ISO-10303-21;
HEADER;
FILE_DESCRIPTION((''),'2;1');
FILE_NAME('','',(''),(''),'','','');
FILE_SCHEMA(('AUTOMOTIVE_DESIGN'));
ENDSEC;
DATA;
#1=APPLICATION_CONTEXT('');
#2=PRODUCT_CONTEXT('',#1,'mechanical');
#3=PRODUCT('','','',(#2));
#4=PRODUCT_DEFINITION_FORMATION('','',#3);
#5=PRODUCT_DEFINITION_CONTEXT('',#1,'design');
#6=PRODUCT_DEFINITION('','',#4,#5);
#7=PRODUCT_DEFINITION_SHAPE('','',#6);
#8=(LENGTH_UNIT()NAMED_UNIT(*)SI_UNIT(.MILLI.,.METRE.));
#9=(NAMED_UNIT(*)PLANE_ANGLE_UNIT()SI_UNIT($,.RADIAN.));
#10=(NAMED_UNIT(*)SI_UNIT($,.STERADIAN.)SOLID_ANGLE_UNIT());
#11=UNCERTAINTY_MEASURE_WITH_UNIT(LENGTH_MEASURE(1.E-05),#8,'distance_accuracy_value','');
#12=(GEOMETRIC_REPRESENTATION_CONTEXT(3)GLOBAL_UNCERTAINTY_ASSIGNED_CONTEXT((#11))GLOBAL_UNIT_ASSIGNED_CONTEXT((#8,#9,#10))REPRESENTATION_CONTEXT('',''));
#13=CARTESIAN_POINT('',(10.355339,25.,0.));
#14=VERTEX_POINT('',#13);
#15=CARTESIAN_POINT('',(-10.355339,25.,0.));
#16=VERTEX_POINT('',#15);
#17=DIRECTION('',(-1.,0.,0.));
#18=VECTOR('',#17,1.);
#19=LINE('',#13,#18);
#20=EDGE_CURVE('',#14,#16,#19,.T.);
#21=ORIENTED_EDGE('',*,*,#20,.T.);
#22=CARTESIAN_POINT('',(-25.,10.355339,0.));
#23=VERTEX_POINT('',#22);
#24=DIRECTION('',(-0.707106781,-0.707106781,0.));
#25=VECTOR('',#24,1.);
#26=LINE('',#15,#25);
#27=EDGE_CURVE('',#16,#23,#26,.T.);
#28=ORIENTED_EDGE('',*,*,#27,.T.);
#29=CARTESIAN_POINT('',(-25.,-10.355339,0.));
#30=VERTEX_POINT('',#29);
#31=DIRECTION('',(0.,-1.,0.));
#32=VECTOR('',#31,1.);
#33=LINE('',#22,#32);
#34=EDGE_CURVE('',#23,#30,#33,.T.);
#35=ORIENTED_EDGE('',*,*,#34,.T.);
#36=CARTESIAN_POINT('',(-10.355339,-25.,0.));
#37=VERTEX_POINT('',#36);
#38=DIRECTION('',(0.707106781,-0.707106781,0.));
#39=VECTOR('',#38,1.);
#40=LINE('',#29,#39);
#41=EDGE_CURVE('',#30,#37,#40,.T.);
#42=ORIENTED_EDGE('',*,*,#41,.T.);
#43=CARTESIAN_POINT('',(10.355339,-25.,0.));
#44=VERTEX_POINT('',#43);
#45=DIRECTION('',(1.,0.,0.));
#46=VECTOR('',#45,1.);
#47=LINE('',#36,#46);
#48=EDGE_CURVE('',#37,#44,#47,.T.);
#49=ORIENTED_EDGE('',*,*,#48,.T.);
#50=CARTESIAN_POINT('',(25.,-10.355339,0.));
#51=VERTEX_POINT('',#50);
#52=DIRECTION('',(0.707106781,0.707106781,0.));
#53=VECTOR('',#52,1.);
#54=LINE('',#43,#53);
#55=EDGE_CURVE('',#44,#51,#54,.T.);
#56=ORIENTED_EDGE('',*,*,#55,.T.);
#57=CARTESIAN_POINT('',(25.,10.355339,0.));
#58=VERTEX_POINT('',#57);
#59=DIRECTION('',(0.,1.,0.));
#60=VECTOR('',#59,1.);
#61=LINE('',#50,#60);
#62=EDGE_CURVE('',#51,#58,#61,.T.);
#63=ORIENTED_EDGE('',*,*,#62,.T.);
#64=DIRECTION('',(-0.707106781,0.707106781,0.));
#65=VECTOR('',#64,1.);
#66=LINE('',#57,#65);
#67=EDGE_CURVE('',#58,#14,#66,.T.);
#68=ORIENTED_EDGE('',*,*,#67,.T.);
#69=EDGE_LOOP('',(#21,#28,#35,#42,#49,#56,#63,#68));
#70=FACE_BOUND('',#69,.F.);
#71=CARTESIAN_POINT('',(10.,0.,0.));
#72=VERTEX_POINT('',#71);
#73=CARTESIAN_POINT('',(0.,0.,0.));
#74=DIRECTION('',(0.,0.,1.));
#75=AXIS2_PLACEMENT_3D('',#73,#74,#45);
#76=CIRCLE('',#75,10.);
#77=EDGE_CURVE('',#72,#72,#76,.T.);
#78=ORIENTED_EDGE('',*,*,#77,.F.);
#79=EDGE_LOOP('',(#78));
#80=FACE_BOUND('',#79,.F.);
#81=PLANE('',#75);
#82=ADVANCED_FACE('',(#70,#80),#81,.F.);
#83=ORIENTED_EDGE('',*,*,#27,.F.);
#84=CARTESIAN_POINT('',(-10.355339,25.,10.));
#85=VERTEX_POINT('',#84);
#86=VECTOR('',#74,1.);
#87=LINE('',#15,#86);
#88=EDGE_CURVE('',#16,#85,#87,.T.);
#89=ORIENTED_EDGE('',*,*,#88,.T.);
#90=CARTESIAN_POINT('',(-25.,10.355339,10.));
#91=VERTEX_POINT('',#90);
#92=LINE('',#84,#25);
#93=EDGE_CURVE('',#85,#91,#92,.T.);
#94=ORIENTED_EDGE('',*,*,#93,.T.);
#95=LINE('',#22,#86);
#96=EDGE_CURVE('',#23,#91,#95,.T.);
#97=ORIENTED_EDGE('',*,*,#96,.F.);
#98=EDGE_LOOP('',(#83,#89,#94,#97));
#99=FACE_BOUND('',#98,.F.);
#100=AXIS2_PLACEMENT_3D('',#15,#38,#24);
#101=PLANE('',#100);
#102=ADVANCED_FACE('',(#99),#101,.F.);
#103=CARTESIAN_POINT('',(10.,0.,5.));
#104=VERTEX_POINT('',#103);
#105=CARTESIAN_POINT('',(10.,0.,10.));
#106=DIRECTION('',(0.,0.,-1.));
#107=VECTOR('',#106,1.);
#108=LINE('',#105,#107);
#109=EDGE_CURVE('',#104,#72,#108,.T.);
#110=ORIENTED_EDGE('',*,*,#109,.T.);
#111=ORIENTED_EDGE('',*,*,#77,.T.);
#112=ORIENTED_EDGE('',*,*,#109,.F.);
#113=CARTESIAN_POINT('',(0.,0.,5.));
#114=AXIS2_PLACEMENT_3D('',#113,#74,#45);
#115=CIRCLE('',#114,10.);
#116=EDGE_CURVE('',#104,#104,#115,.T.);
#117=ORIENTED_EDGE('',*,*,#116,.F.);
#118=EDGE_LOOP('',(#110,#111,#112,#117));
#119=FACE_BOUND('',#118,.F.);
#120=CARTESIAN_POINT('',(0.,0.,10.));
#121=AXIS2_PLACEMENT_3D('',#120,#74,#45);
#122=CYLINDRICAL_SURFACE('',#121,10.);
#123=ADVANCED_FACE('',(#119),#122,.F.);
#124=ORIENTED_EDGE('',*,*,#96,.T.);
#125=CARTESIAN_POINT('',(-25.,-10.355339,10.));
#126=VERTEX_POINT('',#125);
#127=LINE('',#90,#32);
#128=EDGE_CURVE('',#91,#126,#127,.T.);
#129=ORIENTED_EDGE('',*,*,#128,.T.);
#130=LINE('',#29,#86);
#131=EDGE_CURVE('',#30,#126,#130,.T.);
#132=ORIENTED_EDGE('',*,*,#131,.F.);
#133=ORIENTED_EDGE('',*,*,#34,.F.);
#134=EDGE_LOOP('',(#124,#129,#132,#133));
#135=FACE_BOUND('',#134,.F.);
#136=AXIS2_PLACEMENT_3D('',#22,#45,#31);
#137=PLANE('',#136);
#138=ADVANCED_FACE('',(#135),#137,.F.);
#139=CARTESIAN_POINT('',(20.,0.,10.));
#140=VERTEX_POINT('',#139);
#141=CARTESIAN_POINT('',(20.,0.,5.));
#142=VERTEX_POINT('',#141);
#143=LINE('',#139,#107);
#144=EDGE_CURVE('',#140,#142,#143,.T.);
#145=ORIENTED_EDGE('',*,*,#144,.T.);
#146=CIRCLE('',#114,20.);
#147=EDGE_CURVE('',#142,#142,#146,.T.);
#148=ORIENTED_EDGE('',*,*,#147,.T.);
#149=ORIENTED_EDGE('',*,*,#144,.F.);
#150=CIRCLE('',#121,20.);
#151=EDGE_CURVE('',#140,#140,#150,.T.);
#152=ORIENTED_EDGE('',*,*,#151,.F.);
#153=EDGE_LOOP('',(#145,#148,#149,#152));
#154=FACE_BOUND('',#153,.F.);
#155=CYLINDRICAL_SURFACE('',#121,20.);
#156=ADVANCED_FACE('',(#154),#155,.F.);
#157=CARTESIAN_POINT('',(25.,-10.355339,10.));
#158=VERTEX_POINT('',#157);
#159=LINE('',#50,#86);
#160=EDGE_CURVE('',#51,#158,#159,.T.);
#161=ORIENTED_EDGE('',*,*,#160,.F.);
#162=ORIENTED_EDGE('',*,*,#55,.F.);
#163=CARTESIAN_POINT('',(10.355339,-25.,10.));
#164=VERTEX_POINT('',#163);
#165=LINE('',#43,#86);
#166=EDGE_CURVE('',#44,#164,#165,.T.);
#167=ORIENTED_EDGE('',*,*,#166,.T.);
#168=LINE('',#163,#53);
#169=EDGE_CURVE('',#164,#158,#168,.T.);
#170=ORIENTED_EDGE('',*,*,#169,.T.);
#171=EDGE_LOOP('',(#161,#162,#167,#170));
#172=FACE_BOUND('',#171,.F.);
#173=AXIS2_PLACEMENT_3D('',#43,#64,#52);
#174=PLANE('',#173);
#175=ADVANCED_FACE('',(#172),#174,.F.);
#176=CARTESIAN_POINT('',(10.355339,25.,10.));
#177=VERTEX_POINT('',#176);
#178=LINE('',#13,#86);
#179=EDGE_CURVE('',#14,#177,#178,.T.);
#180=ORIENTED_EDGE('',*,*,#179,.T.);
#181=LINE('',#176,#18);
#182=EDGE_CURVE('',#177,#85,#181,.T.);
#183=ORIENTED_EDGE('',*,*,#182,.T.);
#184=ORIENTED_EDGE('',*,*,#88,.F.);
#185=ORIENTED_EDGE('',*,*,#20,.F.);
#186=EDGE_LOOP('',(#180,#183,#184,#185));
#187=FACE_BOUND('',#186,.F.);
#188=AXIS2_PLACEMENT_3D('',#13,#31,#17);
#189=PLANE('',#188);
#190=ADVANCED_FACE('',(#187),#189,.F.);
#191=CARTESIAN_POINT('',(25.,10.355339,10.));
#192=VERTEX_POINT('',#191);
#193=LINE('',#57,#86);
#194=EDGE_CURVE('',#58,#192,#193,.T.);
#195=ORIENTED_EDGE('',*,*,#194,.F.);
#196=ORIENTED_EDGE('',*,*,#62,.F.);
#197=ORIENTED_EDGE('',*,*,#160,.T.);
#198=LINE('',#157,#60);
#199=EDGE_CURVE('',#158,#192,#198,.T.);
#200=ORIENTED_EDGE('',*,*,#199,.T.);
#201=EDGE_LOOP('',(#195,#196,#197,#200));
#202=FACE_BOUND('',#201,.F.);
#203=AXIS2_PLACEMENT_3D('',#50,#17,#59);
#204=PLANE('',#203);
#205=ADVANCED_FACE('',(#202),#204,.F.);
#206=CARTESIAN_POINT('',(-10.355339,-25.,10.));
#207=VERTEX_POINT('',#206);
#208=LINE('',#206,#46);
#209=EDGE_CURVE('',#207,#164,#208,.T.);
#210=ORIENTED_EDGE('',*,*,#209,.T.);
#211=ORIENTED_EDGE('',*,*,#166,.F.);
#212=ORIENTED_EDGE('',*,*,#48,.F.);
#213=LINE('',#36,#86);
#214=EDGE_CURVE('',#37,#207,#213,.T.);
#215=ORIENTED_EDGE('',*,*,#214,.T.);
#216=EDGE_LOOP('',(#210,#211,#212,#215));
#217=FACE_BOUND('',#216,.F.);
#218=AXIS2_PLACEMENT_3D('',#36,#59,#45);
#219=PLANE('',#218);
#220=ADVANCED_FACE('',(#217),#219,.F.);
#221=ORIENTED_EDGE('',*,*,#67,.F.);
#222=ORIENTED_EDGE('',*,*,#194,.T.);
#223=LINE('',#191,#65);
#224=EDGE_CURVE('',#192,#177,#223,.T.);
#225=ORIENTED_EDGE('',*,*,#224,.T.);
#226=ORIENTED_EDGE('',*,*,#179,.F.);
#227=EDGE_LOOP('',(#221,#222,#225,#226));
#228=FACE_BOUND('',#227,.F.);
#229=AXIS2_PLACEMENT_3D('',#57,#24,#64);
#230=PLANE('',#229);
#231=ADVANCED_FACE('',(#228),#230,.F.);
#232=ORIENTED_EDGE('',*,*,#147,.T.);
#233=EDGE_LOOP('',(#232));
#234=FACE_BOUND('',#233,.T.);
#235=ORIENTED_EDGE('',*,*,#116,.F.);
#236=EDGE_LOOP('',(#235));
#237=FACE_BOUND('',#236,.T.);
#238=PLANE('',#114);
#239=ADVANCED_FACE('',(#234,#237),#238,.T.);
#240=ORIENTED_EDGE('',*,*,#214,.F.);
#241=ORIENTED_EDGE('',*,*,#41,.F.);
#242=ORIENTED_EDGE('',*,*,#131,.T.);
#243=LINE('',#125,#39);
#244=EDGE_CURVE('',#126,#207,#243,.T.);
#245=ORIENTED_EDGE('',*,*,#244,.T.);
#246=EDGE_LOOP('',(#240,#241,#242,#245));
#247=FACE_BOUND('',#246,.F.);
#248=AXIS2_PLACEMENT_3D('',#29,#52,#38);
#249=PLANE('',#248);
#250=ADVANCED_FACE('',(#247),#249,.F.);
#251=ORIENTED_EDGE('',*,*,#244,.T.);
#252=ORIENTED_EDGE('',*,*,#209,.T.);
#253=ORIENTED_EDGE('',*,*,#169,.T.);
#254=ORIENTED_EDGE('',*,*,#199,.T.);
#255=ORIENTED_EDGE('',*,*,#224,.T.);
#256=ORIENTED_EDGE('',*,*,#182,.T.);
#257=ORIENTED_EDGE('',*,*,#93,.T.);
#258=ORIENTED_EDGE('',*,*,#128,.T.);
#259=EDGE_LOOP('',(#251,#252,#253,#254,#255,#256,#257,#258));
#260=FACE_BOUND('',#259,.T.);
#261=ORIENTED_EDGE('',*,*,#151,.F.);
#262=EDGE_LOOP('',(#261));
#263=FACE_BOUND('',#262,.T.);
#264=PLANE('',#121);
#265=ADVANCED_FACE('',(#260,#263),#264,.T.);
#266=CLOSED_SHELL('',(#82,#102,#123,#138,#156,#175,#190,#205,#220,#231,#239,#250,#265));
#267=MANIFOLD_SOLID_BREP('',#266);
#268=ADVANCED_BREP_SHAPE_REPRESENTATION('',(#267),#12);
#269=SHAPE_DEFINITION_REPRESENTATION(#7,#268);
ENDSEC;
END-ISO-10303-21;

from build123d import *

# Parameters (mm, degrees)
F1_DEPTH = 10
F2_R     = 20
F3_DEPTH = 5
F4_R     = 10
F5_DEPTH = 25


with BuildPart() as f1:
    # F0 (on Top) → F1 (new body)
    with BuildSketch(Plane.XY):
        Polygon((25, -10.355339), (25, 10.355339), (10.355339, 25), (-10.355339, 25), (-25, 10.355339), (-25, -10.355339), (-10.355339, -25), (10.355339, -25), align=None)
    extrude(amount=F1_DEPTH)

    # F2 (on face) → F3 (cut)
    with BuildSketch(Plane.XY.offset(10)):
        Circle(F2_R)
    extrude(amount=-F3_DEPTH, mode=Mode.SUBTRACT)

    # F4 (on face) → F5 (cut)
    with BuildSketch(Plane.XY.offset(10)):
        Circle(F4_R)
    extrude(amount=-F5_DEPTH, mode=Mode.SUBTRACT)


solid = f1.part
